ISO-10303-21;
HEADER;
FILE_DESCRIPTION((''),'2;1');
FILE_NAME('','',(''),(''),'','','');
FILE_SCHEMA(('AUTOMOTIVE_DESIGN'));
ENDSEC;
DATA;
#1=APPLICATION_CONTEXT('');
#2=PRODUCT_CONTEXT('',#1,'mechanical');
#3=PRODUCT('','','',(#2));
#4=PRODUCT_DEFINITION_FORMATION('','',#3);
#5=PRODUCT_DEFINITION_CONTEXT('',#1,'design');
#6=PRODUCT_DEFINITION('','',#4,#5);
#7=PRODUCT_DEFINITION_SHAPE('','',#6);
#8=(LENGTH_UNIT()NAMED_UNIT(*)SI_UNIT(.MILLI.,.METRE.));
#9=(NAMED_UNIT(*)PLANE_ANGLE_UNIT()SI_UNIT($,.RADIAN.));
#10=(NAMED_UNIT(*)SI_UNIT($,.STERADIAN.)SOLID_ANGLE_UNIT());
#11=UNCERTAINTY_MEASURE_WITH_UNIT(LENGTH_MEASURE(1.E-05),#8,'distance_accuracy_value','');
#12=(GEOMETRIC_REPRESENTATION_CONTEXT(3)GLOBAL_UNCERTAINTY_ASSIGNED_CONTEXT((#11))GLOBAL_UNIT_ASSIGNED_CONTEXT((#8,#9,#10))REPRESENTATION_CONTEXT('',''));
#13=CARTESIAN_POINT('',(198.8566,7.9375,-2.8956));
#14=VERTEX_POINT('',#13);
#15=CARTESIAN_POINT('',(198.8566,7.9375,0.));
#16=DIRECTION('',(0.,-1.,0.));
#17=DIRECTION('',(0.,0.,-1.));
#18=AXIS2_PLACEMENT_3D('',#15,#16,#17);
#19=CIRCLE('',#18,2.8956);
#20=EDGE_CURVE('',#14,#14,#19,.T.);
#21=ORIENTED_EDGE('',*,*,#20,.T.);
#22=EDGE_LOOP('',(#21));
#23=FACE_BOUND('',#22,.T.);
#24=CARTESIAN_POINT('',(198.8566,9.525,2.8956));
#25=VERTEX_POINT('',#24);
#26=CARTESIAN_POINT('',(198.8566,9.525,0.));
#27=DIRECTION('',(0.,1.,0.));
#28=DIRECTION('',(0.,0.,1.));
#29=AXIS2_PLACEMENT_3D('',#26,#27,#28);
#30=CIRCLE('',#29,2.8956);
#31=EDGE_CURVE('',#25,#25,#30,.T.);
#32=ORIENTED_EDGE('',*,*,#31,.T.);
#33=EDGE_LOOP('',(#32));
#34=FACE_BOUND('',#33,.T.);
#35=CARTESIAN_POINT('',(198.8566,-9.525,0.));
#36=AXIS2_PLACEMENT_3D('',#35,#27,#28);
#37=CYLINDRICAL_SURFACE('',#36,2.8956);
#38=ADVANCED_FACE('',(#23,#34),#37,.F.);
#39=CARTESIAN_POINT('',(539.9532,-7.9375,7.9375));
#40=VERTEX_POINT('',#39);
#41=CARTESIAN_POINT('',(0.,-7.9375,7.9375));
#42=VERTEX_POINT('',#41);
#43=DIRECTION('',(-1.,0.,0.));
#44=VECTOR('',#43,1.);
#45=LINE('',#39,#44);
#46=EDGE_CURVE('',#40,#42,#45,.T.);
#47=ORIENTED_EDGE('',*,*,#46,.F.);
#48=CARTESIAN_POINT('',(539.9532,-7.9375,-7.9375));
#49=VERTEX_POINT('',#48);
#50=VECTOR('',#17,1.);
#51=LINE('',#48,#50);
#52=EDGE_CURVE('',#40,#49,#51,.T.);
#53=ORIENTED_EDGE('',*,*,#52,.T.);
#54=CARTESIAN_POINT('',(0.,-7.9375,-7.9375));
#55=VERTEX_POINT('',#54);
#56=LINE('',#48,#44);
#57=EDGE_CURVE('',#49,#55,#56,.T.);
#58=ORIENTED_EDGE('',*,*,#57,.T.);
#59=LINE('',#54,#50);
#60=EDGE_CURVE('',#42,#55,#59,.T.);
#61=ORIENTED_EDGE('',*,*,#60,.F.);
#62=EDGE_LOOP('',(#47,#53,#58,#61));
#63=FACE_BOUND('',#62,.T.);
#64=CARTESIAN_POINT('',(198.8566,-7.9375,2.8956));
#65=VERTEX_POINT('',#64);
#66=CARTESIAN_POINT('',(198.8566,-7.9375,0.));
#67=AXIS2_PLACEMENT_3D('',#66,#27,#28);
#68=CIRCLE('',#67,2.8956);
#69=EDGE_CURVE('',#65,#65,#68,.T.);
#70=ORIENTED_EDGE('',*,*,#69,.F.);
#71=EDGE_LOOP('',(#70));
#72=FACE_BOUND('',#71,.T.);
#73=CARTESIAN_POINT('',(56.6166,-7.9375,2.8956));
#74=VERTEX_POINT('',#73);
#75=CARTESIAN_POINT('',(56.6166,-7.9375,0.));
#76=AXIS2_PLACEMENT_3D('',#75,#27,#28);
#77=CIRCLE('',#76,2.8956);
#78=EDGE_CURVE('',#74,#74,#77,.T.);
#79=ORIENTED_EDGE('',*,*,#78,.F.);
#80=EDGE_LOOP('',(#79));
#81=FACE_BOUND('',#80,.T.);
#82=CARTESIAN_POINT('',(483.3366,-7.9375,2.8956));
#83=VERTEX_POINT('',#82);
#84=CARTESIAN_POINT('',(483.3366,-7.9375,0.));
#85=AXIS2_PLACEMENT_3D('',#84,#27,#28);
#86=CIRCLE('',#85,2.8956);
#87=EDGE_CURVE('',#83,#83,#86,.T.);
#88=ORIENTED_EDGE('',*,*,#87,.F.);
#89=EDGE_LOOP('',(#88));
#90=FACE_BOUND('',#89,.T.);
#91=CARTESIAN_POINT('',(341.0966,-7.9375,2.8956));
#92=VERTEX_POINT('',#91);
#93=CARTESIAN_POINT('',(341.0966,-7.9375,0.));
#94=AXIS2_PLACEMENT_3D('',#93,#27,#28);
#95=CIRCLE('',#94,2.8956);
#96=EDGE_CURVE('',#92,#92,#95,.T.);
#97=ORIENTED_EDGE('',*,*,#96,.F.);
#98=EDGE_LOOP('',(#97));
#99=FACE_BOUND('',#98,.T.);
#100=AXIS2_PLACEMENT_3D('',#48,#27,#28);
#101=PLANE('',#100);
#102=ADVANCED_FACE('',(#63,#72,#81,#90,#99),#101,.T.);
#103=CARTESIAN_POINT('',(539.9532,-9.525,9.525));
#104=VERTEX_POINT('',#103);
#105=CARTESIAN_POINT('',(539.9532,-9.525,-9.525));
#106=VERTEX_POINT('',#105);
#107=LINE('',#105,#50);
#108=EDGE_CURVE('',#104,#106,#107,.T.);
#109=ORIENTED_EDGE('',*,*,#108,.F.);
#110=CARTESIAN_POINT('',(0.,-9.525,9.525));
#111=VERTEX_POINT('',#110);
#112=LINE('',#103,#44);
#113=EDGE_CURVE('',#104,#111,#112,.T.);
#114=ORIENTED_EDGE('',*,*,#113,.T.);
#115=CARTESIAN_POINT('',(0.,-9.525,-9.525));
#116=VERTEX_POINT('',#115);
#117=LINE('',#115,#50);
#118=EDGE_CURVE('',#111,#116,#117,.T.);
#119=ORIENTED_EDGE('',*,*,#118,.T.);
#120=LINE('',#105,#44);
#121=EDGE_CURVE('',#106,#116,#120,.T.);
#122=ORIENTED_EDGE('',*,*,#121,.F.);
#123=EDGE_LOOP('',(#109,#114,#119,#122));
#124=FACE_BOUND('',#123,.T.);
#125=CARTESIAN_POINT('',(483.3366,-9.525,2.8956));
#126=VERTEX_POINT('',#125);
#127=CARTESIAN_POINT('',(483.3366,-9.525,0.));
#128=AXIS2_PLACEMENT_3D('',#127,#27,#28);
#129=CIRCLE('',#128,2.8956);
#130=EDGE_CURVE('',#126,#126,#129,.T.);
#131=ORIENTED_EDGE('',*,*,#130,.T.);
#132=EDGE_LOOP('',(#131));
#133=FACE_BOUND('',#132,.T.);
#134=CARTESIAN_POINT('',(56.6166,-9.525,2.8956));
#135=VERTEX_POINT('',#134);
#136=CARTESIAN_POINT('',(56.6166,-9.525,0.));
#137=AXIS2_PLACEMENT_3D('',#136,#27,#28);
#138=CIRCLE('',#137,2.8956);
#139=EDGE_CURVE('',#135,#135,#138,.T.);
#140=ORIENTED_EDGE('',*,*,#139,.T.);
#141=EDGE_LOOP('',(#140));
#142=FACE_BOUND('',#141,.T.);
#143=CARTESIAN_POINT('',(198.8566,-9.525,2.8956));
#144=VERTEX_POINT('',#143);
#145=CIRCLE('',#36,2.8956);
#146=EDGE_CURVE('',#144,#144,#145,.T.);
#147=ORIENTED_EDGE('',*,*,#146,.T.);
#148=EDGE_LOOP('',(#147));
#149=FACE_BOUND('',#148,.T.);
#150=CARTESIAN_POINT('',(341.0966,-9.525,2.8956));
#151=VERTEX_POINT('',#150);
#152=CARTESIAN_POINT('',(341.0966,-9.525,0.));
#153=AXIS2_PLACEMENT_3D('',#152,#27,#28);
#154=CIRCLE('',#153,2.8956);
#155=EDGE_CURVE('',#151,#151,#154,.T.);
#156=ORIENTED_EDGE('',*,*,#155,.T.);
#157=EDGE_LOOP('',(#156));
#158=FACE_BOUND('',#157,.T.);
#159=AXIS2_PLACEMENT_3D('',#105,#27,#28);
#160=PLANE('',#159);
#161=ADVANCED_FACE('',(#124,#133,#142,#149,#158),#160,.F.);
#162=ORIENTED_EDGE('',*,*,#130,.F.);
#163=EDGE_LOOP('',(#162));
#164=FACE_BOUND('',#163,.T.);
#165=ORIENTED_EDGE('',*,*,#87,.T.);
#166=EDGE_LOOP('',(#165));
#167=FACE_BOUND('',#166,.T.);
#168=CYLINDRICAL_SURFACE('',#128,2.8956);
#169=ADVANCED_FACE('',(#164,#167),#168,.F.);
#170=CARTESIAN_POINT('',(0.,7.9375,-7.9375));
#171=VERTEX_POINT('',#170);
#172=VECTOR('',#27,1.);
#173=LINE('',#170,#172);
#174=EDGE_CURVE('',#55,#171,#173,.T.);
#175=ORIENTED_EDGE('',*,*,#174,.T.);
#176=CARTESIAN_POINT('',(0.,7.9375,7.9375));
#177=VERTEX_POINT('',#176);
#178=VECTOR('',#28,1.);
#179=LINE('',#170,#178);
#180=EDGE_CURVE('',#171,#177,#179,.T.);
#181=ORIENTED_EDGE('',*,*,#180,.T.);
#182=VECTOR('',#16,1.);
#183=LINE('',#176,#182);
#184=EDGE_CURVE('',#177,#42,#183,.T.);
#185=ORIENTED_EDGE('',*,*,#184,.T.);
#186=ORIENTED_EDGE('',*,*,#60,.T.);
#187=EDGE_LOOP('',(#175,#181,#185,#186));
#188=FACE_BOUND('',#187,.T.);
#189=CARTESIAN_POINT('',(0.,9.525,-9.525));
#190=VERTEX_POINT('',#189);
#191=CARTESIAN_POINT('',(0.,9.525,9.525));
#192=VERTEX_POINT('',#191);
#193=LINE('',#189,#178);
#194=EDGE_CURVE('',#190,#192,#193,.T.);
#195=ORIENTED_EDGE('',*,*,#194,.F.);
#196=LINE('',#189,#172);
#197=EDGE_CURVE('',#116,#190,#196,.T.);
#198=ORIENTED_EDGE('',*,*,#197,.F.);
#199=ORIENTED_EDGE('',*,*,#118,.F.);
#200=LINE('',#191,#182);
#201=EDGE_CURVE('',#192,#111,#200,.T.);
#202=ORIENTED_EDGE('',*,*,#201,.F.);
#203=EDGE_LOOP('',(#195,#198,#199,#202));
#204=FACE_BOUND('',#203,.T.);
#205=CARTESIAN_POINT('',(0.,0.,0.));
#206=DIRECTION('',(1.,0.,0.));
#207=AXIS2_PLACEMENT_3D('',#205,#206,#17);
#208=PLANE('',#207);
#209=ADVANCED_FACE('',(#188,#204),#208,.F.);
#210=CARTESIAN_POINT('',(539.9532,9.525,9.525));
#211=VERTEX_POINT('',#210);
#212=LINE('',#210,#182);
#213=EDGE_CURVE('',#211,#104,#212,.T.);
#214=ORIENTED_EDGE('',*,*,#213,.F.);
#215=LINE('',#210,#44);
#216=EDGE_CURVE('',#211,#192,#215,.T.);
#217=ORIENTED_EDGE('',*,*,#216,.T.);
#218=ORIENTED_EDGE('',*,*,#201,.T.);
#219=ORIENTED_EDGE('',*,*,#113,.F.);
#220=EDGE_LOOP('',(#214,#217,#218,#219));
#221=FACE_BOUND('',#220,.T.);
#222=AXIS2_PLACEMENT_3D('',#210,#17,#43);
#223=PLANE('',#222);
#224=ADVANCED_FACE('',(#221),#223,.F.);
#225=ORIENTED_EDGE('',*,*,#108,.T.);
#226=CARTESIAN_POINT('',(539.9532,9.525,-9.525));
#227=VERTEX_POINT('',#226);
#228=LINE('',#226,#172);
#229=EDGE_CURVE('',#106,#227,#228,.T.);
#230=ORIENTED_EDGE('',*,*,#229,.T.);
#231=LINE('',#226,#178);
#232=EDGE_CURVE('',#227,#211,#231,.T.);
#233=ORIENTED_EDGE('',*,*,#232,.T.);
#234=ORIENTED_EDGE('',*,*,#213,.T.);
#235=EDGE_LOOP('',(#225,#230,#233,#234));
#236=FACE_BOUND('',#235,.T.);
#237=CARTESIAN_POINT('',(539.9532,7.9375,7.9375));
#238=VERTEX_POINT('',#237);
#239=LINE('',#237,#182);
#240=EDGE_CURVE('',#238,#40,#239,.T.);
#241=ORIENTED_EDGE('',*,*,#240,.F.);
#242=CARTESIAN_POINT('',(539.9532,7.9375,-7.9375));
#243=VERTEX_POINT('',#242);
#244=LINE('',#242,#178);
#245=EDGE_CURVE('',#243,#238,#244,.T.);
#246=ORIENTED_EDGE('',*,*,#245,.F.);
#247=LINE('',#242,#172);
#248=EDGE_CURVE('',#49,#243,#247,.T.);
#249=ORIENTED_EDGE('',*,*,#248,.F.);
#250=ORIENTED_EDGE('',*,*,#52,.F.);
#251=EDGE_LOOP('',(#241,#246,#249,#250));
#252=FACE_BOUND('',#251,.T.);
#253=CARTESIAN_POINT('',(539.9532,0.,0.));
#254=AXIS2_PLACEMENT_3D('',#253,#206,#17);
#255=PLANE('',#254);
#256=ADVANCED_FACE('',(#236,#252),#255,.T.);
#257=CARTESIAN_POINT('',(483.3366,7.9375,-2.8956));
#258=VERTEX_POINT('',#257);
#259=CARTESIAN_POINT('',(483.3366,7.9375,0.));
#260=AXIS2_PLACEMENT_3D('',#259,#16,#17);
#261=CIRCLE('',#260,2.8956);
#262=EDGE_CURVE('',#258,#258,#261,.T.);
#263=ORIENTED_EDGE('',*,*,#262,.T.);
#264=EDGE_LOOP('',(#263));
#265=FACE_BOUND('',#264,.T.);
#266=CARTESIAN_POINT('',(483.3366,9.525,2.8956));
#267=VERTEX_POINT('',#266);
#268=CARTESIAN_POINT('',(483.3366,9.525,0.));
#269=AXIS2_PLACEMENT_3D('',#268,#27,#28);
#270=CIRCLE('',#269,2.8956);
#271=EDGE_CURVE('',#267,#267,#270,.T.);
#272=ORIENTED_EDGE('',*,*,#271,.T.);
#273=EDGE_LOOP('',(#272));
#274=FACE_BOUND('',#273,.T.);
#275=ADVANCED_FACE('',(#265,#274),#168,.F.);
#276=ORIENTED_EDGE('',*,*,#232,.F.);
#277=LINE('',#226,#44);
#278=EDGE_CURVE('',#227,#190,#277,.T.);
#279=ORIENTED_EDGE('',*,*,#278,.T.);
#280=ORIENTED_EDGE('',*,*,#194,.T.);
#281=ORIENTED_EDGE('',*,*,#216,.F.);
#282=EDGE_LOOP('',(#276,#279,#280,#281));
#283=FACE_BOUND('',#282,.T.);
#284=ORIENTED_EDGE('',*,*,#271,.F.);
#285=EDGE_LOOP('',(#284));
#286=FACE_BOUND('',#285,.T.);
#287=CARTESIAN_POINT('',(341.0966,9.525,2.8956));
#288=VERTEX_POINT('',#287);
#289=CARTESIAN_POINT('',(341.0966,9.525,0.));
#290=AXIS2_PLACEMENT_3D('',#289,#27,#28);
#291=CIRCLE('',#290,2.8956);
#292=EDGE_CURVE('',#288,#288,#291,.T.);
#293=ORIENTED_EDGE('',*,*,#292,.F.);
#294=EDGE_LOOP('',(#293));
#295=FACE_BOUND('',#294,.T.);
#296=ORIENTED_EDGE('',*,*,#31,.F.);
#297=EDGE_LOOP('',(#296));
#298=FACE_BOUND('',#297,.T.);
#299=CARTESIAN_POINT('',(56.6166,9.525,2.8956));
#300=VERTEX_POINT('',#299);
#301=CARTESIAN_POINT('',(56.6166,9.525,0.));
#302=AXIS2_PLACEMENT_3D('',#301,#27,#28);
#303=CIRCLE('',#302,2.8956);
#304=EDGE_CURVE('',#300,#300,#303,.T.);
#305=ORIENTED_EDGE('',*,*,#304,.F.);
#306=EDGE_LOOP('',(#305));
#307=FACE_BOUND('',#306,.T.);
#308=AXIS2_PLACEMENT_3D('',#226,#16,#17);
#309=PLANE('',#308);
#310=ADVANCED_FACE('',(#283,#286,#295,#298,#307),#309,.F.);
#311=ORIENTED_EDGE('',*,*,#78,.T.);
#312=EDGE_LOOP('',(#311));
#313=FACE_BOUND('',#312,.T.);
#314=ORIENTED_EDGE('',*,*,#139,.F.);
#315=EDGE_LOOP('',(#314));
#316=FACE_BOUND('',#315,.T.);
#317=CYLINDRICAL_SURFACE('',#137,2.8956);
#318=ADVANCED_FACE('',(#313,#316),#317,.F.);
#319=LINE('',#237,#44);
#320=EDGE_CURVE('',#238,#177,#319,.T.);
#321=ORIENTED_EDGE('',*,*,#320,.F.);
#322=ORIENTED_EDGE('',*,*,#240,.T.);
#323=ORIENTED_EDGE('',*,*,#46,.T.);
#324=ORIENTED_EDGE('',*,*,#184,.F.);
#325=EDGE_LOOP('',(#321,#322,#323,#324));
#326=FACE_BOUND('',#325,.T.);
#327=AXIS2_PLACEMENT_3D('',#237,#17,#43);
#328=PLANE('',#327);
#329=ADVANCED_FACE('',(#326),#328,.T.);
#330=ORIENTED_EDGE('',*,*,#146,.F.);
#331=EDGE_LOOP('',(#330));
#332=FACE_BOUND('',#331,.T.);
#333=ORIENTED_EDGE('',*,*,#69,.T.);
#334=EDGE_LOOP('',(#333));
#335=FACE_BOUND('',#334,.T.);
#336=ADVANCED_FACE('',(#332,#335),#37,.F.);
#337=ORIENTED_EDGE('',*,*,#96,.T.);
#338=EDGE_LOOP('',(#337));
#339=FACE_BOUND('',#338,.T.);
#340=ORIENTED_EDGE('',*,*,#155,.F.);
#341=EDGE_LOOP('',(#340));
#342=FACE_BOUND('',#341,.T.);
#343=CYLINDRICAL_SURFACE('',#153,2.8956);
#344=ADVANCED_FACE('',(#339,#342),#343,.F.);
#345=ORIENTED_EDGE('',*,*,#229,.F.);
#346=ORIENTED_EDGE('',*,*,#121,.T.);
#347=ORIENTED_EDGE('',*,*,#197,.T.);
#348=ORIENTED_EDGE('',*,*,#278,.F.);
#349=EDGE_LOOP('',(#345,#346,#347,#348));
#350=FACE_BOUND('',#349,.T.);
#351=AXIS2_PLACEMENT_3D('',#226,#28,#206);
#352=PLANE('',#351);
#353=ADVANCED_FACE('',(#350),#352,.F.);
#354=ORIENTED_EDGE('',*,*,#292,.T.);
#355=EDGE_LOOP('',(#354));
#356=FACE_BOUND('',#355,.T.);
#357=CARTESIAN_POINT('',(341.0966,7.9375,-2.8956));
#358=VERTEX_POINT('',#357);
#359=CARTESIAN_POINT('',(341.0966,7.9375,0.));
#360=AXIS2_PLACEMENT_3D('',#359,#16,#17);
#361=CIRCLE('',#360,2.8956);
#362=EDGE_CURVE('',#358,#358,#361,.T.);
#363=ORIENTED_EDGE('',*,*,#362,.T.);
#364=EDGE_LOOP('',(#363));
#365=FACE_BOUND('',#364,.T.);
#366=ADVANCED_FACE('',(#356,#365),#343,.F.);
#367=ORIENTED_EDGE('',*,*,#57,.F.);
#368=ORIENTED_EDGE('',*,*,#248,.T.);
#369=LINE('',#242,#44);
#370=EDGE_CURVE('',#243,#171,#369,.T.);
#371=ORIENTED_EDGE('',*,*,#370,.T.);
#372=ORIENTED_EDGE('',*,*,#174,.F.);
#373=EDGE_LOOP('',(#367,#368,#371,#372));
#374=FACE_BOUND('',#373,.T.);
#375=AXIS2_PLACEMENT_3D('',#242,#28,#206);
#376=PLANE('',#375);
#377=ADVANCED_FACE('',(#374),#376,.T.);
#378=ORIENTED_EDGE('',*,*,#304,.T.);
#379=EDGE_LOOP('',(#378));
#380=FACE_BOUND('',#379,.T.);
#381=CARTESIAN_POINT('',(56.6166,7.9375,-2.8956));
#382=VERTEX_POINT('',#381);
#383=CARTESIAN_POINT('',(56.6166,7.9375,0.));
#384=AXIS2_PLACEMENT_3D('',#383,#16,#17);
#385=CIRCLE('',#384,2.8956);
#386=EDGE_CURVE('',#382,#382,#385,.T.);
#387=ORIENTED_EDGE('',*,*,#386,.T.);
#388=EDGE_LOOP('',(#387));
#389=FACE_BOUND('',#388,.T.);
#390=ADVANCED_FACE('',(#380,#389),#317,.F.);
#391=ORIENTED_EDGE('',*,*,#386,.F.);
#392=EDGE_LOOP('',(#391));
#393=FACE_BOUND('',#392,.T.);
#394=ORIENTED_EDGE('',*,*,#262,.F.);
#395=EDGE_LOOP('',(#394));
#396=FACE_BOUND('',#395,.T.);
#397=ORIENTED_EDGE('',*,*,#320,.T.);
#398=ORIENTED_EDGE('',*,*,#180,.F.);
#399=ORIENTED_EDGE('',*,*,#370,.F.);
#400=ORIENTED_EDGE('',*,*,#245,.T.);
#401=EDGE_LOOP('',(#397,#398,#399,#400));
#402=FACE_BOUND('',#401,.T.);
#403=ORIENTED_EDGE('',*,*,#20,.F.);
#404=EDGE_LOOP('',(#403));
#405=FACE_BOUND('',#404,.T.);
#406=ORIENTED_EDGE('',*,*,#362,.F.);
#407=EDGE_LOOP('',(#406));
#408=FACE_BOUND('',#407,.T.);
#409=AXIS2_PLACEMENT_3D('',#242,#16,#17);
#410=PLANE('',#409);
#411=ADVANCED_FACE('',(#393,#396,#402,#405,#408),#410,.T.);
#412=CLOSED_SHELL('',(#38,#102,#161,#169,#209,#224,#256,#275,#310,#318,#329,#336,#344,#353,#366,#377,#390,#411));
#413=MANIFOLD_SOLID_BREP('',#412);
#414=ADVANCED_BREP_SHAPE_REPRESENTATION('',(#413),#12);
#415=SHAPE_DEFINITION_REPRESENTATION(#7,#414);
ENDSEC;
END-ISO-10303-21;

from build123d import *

# Parameters (mm, degrees)
SKETCH1_W               = 19.05
SKETCH1_H               = 19.05
SKETCH1_W_2             = 15.875
SKETCH1_H_2             = 15.875
TUBE_DEPTH              = 539.9532
SKETCH3_R               = 2.8956
REARTOPHOLEMASTER_DEPTH = 20.05
LPATTERN2_COUNT         = 4
LPATTERN2_PITCH         = 142.24


with BuildPart() as part:
    # Sketch1 → Tube (new body)
    with BuildSketch(Plane(origin=(0, 0, 0), x_dir=(0, -1, 0), z_dir=(1, 0, 0))):
        Rectangle(SKETCH1_W, SKETCH1_H)
        Rectangle(SKETCH1_W_2, SKETCH1_H_2, mode=Mode.SUBTRACT)
    extrude(amount=TUBE_DEPTH)

    # Sketch3 → RearTopHoleMaster (cut, through all)
    with BuildSketch(Plane(origin=(0, 9.525, 0), x_dir=(1, 0, 0), z_dir=(0, 1, 0))):
        with Locations((56.6166, 0)):
            Circle(SKETCH3_R)
    reartopholemaster = extrude(amount=-REARTOPHOLEMASTER_DEPTH, mode=Mode.SUBTRACT)

    # LPattern2: RearTopHoleMaster ×4
    with Locations(*[(i * LPATTERN2_PITCH, 0, 0) for i in range(1, LPATTERN2_COUNT)]):
        add(reartopholemaster, mode=Mode.SUBTRACT)


solid = part.part
